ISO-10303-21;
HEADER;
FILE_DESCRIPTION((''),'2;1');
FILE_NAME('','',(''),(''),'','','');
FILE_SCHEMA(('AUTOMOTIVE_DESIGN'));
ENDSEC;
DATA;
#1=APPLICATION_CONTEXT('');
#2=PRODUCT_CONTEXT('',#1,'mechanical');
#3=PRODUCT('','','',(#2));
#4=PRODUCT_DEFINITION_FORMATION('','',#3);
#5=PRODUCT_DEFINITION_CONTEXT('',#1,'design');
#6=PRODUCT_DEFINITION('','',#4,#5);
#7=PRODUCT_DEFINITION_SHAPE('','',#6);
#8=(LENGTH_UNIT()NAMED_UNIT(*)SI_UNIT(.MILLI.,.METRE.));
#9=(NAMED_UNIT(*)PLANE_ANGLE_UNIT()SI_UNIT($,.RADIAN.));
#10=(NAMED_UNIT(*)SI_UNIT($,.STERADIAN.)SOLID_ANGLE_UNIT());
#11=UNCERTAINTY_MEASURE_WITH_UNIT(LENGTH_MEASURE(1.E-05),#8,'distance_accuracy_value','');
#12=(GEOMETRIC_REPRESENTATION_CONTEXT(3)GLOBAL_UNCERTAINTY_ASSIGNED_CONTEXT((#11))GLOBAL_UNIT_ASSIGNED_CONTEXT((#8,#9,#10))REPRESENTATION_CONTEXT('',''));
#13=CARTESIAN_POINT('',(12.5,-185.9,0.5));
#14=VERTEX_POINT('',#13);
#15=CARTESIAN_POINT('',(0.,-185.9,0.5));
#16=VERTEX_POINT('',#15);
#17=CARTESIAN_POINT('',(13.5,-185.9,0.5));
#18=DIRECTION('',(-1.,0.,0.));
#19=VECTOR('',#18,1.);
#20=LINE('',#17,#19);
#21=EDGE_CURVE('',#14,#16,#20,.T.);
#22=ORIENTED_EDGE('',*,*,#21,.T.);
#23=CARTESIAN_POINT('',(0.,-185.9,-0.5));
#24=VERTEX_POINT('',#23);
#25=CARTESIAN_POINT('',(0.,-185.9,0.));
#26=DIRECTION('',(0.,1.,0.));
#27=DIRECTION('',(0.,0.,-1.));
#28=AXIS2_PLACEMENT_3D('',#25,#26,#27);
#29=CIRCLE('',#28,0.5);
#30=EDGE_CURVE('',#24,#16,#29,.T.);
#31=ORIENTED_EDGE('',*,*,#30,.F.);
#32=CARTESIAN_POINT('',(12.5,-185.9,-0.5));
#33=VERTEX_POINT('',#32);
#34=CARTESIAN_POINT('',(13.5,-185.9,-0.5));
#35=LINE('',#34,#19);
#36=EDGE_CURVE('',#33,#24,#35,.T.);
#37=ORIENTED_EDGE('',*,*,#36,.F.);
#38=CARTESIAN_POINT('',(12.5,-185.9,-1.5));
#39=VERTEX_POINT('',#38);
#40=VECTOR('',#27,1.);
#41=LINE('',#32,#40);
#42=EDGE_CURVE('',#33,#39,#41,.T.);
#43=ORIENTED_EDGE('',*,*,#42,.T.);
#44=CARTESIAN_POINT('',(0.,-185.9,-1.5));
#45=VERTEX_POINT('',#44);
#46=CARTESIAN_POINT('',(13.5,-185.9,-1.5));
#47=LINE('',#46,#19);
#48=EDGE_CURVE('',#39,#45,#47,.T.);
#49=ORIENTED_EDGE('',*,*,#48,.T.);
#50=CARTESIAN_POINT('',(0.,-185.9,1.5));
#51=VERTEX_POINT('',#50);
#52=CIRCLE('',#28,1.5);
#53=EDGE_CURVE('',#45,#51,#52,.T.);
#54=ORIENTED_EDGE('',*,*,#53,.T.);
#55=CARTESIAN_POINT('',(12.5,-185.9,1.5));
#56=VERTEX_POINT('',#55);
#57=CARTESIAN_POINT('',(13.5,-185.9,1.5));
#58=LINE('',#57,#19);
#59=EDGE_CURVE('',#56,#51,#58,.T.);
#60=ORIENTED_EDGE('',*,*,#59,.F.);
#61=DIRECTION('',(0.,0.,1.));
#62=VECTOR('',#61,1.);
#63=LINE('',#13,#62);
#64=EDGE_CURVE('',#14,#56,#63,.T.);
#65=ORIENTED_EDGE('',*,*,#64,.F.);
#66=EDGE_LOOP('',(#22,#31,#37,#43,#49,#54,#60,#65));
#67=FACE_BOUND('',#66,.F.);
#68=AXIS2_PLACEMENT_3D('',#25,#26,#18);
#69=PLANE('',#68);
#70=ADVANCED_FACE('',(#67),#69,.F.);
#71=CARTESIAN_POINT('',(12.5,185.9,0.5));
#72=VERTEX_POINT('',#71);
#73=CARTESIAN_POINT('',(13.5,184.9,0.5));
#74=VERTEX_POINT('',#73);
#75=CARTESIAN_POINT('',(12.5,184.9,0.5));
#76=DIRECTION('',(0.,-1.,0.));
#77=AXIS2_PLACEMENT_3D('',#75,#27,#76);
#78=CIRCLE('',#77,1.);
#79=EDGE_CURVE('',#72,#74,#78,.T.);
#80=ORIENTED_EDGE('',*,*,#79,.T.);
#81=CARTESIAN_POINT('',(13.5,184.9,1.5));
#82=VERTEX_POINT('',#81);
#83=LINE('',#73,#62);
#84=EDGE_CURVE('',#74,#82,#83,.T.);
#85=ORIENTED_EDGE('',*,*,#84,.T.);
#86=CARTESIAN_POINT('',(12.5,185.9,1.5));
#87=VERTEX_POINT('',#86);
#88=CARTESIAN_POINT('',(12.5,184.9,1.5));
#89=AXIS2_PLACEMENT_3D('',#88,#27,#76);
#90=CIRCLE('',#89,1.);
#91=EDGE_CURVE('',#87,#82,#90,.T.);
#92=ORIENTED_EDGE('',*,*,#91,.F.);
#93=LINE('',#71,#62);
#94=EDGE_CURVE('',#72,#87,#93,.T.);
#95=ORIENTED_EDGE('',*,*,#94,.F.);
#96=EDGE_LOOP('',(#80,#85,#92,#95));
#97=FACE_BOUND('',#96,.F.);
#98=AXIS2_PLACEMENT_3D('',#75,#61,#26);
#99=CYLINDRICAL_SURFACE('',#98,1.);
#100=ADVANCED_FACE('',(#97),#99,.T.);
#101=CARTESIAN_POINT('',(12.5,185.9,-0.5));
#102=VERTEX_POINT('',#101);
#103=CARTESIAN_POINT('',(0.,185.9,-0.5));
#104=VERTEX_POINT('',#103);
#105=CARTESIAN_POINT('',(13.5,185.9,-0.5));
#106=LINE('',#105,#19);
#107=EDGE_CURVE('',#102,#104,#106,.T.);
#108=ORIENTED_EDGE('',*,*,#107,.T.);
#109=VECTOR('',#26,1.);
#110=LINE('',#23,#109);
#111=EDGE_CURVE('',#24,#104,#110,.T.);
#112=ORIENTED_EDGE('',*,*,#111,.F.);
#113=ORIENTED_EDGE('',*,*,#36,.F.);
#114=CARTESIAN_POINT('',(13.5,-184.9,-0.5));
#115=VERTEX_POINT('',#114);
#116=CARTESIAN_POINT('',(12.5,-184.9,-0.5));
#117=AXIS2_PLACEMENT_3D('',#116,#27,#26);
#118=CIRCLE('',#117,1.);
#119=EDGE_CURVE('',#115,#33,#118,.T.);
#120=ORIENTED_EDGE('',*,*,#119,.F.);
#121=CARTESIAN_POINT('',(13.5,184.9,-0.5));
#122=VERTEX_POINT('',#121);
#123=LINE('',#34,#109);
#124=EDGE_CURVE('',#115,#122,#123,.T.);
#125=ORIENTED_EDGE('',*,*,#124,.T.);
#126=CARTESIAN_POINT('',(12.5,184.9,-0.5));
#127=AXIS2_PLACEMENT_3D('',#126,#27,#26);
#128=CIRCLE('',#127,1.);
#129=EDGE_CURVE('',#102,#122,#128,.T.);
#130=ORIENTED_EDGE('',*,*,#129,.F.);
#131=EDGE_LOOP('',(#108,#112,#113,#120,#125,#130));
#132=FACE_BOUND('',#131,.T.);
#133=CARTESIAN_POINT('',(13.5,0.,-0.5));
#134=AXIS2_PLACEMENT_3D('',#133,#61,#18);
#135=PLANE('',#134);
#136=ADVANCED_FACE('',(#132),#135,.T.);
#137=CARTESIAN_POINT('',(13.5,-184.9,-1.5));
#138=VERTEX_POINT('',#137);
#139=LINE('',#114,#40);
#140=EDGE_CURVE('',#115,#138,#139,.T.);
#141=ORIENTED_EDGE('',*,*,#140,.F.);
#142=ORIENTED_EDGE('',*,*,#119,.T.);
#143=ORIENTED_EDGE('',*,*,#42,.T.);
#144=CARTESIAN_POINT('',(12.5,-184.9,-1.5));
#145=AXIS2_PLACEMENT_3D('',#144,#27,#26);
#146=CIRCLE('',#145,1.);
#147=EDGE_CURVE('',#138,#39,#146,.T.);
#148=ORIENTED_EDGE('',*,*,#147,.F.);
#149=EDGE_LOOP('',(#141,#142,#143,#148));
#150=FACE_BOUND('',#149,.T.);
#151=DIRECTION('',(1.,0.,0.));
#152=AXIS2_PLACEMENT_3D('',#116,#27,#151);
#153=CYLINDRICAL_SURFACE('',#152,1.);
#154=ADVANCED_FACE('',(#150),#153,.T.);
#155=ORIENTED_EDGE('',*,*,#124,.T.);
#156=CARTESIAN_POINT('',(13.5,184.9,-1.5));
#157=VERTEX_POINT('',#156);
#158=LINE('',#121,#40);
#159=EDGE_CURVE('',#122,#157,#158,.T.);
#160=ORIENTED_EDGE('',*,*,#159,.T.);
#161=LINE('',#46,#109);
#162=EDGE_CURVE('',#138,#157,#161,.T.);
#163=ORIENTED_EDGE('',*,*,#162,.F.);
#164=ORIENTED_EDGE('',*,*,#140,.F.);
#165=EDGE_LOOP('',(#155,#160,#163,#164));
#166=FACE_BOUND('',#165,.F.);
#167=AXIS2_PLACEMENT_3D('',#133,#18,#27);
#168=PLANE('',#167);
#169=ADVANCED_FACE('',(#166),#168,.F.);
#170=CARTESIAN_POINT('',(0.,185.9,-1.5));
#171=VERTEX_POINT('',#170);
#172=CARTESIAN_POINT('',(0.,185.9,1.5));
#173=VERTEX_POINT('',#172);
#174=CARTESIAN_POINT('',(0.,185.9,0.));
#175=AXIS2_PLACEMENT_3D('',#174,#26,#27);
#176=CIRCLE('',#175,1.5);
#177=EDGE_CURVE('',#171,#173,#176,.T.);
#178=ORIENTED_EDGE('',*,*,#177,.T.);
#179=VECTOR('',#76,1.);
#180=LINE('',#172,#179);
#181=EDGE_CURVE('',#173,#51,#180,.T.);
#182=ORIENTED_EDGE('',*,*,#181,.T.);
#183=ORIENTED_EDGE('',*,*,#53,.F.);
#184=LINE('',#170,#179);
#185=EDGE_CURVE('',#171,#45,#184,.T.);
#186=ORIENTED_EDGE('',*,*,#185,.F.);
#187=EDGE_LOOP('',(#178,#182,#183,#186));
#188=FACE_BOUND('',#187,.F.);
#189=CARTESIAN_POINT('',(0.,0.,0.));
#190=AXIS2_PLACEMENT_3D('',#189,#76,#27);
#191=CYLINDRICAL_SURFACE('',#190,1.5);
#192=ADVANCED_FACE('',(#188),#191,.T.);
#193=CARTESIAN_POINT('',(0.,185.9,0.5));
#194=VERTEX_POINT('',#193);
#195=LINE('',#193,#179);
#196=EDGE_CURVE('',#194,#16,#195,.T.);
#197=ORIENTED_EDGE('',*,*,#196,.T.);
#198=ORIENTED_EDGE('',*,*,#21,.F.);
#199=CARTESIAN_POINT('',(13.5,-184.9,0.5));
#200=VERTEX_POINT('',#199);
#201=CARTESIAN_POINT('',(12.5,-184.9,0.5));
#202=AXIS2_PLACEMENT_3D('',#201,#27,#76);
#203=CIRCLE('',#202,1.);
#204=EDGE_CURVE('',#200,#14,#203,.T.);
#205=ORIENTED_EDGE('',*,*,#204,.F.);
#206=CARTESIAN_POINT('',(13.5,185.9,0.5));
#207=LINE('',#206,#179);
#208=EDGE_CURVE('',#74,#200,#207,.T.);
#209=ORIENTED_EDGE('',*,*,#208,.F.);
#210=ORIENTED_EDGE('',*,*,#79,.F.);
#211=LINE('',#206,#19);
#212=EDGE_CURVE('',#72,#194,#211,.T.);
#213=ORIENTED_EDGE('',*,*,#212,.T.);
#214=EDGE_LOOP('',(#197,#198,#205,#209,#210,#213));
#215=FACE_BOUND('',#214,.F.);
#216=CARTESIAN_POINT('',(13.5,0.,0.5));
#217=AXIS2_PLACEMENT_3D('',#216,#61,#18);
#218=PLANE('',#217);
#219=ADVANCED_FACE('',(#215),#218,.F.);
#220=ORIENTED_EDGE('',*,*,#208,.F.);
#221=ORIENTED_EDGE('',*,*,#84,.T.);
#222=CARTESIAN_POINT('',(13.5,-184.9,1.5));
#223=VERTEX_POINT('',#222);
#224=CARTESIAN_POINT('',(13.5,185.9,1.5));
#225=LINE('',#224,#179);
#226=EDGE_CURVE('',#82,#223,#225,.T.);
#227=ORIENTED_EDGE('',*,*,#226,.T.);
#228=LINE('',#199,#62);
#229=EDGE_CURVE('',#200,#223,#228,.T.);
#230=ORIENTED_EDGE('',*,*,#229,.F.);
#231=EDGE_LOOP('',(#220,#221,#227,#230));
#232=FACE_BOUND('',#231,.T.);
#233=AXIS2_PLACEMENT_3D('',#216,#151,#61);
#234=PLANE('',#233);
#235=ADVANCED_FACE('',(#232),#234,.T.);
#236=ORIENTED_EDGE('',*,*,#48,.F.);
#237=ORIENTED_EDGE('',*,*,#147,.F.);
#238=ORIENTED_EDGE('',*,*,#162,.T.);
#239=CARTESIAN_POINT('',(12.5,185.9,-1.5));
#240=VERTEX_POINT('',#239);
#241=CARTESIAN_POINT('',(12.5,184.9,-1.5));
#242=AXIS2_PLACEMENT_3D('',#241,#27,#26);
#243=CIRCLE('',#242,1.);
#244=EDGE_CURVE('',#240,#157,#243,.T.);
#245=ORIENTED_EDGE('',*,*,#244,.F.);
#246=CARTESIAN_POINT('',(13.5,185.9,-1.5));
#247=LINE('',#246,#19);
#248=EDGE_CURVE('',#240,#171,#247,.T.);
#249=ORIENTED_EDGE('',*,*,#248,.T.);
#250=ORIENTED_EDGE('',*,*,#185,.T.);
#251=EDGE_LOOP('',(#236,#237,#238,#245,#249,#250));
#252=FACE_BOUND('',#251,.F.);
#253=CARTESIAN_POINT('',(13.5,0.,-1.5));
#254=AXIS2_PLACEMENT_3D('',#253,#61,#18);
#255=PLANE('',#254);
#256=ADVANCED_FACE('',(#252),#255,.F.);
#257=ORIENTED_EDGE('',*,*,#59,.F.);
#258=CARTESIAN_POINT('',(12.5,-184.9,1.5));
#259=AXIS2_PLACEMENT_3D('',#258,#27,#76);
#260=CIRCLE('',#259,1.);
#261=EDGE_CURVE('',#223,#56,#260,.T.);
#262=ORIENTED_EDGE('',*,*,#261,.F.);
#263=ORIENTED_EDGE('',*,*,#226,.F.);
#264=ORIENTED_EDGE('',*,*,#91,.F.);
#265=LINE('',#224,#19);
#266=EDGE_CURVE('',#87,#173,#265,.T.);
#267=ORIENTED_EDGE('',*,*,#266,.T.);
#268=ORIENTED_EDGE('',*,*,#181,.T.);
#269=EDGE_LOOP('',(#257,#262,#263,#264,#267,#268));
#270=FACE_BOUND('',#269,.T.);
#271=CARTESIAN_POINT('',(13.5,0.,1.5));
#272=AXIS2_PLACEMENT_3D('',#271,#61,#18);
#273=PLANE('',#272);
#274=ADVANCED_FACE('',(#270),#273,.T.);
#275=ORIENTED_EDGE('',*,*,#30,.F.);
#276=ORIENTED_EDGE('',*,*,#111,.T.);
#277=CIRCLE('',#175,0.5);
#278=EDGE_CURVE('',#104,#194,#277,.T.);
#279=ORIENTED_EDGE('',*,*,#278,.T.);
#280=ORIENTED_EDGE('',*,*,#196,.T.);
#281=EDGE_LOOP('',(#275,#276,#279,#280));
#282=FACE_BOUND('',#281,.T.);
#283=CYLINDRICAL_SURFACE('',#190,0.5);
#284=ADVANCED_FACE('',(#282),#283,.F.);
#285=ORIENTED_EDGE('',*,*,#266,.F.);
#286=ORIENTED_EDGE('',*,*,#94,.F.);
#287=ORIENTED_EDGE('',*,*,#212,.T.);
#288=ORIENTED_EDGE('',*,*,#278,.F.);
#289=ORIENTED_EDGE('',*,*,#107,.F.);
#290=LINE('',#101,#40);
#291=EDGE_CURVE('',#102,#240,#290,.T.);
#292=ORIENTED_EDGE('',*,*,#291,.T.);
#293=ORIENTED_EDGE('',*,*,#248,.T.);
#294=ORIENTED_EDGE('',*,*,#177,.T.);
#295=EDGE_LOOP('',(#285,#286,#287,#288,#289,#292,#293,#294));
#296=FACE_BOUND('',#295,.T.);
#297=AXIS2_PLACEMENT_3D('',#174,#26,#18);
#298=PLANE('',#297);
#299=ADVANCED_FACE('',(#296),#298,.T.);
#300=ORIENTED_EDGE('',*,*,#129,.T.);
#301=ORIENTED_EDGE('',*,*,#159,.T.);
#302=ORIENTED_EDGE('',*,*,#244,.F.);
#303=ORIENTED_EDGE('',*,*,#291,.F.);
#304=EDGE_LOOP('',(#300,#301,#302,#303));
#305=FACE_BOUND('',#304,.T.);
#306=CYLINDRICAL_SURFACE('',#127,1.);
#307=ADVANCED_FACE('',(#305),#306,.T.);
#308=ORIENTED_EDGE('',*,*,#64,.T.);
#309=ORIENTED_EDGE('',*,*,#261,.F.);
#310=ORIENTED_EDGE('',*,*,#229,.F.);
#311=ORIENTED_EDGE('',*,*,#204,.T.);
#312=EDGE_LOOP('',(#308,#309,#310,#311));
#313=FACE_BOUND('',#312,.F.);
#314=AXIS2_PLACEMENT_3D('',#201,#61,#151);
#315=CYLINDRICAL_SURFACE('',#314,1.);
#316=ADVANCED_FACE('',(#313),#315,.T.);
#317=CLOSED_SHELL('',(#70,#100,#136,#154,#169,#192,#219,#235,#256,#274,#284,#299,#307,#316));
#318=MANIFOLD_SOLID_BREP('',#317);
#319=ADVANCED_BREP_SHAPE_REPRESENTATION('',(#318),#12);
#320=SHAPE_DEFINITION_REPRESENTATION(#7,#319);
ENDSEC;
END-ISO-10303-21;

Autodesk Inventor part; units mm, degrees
ref_plane "YZ Plane" through (0, 0, 0) normal (1, 0, 0) x (0, 1, 0)
ref_plane "XZ Plane" through (0, 0, 0) normal (0, 1, 0) x (-1, 0, 0)
ref_plane "XY Plane" through (0, 0, 0) normal (0, 0, 1) x (1, 0, 0)
sketch "Sketch1" plane through (0, 0, 0) normal (0, 1, 0) x (-1, 0, 0)
  arc A0 (0, -0.5) -> (0, 0.5) centre (0, 0) ccw
  arc A1 (0, -1.5) -> (0, 1.5) centre (0, 0) ccw
  line L0 (-13.5, -0.5) -> (0, -0.5)
  line L1 (-13.5, 0.5) -> (0, 0.5)
  line L2 (-13.5, -1.5) -> (0, -1.5)
  line L3 (-13.5, 1.5) -> (0, 1.5)
  line L4 (-13.5, -0.5) -> (-13.5, -1.5)
  line L5 (-13.5, 0.5) -> (-13.5, 1.5)
extrude "Extrusion1" add sketch "Sketch1" along normal mid plane 371.8
fillet "Fillet1" radius 1 4 edges at (13.5, 185.9, 1) (13.5, -185.9, 1) (13.5, 185.9, -1) (13.5, -185.9, -1)
properties part number "Binder"
